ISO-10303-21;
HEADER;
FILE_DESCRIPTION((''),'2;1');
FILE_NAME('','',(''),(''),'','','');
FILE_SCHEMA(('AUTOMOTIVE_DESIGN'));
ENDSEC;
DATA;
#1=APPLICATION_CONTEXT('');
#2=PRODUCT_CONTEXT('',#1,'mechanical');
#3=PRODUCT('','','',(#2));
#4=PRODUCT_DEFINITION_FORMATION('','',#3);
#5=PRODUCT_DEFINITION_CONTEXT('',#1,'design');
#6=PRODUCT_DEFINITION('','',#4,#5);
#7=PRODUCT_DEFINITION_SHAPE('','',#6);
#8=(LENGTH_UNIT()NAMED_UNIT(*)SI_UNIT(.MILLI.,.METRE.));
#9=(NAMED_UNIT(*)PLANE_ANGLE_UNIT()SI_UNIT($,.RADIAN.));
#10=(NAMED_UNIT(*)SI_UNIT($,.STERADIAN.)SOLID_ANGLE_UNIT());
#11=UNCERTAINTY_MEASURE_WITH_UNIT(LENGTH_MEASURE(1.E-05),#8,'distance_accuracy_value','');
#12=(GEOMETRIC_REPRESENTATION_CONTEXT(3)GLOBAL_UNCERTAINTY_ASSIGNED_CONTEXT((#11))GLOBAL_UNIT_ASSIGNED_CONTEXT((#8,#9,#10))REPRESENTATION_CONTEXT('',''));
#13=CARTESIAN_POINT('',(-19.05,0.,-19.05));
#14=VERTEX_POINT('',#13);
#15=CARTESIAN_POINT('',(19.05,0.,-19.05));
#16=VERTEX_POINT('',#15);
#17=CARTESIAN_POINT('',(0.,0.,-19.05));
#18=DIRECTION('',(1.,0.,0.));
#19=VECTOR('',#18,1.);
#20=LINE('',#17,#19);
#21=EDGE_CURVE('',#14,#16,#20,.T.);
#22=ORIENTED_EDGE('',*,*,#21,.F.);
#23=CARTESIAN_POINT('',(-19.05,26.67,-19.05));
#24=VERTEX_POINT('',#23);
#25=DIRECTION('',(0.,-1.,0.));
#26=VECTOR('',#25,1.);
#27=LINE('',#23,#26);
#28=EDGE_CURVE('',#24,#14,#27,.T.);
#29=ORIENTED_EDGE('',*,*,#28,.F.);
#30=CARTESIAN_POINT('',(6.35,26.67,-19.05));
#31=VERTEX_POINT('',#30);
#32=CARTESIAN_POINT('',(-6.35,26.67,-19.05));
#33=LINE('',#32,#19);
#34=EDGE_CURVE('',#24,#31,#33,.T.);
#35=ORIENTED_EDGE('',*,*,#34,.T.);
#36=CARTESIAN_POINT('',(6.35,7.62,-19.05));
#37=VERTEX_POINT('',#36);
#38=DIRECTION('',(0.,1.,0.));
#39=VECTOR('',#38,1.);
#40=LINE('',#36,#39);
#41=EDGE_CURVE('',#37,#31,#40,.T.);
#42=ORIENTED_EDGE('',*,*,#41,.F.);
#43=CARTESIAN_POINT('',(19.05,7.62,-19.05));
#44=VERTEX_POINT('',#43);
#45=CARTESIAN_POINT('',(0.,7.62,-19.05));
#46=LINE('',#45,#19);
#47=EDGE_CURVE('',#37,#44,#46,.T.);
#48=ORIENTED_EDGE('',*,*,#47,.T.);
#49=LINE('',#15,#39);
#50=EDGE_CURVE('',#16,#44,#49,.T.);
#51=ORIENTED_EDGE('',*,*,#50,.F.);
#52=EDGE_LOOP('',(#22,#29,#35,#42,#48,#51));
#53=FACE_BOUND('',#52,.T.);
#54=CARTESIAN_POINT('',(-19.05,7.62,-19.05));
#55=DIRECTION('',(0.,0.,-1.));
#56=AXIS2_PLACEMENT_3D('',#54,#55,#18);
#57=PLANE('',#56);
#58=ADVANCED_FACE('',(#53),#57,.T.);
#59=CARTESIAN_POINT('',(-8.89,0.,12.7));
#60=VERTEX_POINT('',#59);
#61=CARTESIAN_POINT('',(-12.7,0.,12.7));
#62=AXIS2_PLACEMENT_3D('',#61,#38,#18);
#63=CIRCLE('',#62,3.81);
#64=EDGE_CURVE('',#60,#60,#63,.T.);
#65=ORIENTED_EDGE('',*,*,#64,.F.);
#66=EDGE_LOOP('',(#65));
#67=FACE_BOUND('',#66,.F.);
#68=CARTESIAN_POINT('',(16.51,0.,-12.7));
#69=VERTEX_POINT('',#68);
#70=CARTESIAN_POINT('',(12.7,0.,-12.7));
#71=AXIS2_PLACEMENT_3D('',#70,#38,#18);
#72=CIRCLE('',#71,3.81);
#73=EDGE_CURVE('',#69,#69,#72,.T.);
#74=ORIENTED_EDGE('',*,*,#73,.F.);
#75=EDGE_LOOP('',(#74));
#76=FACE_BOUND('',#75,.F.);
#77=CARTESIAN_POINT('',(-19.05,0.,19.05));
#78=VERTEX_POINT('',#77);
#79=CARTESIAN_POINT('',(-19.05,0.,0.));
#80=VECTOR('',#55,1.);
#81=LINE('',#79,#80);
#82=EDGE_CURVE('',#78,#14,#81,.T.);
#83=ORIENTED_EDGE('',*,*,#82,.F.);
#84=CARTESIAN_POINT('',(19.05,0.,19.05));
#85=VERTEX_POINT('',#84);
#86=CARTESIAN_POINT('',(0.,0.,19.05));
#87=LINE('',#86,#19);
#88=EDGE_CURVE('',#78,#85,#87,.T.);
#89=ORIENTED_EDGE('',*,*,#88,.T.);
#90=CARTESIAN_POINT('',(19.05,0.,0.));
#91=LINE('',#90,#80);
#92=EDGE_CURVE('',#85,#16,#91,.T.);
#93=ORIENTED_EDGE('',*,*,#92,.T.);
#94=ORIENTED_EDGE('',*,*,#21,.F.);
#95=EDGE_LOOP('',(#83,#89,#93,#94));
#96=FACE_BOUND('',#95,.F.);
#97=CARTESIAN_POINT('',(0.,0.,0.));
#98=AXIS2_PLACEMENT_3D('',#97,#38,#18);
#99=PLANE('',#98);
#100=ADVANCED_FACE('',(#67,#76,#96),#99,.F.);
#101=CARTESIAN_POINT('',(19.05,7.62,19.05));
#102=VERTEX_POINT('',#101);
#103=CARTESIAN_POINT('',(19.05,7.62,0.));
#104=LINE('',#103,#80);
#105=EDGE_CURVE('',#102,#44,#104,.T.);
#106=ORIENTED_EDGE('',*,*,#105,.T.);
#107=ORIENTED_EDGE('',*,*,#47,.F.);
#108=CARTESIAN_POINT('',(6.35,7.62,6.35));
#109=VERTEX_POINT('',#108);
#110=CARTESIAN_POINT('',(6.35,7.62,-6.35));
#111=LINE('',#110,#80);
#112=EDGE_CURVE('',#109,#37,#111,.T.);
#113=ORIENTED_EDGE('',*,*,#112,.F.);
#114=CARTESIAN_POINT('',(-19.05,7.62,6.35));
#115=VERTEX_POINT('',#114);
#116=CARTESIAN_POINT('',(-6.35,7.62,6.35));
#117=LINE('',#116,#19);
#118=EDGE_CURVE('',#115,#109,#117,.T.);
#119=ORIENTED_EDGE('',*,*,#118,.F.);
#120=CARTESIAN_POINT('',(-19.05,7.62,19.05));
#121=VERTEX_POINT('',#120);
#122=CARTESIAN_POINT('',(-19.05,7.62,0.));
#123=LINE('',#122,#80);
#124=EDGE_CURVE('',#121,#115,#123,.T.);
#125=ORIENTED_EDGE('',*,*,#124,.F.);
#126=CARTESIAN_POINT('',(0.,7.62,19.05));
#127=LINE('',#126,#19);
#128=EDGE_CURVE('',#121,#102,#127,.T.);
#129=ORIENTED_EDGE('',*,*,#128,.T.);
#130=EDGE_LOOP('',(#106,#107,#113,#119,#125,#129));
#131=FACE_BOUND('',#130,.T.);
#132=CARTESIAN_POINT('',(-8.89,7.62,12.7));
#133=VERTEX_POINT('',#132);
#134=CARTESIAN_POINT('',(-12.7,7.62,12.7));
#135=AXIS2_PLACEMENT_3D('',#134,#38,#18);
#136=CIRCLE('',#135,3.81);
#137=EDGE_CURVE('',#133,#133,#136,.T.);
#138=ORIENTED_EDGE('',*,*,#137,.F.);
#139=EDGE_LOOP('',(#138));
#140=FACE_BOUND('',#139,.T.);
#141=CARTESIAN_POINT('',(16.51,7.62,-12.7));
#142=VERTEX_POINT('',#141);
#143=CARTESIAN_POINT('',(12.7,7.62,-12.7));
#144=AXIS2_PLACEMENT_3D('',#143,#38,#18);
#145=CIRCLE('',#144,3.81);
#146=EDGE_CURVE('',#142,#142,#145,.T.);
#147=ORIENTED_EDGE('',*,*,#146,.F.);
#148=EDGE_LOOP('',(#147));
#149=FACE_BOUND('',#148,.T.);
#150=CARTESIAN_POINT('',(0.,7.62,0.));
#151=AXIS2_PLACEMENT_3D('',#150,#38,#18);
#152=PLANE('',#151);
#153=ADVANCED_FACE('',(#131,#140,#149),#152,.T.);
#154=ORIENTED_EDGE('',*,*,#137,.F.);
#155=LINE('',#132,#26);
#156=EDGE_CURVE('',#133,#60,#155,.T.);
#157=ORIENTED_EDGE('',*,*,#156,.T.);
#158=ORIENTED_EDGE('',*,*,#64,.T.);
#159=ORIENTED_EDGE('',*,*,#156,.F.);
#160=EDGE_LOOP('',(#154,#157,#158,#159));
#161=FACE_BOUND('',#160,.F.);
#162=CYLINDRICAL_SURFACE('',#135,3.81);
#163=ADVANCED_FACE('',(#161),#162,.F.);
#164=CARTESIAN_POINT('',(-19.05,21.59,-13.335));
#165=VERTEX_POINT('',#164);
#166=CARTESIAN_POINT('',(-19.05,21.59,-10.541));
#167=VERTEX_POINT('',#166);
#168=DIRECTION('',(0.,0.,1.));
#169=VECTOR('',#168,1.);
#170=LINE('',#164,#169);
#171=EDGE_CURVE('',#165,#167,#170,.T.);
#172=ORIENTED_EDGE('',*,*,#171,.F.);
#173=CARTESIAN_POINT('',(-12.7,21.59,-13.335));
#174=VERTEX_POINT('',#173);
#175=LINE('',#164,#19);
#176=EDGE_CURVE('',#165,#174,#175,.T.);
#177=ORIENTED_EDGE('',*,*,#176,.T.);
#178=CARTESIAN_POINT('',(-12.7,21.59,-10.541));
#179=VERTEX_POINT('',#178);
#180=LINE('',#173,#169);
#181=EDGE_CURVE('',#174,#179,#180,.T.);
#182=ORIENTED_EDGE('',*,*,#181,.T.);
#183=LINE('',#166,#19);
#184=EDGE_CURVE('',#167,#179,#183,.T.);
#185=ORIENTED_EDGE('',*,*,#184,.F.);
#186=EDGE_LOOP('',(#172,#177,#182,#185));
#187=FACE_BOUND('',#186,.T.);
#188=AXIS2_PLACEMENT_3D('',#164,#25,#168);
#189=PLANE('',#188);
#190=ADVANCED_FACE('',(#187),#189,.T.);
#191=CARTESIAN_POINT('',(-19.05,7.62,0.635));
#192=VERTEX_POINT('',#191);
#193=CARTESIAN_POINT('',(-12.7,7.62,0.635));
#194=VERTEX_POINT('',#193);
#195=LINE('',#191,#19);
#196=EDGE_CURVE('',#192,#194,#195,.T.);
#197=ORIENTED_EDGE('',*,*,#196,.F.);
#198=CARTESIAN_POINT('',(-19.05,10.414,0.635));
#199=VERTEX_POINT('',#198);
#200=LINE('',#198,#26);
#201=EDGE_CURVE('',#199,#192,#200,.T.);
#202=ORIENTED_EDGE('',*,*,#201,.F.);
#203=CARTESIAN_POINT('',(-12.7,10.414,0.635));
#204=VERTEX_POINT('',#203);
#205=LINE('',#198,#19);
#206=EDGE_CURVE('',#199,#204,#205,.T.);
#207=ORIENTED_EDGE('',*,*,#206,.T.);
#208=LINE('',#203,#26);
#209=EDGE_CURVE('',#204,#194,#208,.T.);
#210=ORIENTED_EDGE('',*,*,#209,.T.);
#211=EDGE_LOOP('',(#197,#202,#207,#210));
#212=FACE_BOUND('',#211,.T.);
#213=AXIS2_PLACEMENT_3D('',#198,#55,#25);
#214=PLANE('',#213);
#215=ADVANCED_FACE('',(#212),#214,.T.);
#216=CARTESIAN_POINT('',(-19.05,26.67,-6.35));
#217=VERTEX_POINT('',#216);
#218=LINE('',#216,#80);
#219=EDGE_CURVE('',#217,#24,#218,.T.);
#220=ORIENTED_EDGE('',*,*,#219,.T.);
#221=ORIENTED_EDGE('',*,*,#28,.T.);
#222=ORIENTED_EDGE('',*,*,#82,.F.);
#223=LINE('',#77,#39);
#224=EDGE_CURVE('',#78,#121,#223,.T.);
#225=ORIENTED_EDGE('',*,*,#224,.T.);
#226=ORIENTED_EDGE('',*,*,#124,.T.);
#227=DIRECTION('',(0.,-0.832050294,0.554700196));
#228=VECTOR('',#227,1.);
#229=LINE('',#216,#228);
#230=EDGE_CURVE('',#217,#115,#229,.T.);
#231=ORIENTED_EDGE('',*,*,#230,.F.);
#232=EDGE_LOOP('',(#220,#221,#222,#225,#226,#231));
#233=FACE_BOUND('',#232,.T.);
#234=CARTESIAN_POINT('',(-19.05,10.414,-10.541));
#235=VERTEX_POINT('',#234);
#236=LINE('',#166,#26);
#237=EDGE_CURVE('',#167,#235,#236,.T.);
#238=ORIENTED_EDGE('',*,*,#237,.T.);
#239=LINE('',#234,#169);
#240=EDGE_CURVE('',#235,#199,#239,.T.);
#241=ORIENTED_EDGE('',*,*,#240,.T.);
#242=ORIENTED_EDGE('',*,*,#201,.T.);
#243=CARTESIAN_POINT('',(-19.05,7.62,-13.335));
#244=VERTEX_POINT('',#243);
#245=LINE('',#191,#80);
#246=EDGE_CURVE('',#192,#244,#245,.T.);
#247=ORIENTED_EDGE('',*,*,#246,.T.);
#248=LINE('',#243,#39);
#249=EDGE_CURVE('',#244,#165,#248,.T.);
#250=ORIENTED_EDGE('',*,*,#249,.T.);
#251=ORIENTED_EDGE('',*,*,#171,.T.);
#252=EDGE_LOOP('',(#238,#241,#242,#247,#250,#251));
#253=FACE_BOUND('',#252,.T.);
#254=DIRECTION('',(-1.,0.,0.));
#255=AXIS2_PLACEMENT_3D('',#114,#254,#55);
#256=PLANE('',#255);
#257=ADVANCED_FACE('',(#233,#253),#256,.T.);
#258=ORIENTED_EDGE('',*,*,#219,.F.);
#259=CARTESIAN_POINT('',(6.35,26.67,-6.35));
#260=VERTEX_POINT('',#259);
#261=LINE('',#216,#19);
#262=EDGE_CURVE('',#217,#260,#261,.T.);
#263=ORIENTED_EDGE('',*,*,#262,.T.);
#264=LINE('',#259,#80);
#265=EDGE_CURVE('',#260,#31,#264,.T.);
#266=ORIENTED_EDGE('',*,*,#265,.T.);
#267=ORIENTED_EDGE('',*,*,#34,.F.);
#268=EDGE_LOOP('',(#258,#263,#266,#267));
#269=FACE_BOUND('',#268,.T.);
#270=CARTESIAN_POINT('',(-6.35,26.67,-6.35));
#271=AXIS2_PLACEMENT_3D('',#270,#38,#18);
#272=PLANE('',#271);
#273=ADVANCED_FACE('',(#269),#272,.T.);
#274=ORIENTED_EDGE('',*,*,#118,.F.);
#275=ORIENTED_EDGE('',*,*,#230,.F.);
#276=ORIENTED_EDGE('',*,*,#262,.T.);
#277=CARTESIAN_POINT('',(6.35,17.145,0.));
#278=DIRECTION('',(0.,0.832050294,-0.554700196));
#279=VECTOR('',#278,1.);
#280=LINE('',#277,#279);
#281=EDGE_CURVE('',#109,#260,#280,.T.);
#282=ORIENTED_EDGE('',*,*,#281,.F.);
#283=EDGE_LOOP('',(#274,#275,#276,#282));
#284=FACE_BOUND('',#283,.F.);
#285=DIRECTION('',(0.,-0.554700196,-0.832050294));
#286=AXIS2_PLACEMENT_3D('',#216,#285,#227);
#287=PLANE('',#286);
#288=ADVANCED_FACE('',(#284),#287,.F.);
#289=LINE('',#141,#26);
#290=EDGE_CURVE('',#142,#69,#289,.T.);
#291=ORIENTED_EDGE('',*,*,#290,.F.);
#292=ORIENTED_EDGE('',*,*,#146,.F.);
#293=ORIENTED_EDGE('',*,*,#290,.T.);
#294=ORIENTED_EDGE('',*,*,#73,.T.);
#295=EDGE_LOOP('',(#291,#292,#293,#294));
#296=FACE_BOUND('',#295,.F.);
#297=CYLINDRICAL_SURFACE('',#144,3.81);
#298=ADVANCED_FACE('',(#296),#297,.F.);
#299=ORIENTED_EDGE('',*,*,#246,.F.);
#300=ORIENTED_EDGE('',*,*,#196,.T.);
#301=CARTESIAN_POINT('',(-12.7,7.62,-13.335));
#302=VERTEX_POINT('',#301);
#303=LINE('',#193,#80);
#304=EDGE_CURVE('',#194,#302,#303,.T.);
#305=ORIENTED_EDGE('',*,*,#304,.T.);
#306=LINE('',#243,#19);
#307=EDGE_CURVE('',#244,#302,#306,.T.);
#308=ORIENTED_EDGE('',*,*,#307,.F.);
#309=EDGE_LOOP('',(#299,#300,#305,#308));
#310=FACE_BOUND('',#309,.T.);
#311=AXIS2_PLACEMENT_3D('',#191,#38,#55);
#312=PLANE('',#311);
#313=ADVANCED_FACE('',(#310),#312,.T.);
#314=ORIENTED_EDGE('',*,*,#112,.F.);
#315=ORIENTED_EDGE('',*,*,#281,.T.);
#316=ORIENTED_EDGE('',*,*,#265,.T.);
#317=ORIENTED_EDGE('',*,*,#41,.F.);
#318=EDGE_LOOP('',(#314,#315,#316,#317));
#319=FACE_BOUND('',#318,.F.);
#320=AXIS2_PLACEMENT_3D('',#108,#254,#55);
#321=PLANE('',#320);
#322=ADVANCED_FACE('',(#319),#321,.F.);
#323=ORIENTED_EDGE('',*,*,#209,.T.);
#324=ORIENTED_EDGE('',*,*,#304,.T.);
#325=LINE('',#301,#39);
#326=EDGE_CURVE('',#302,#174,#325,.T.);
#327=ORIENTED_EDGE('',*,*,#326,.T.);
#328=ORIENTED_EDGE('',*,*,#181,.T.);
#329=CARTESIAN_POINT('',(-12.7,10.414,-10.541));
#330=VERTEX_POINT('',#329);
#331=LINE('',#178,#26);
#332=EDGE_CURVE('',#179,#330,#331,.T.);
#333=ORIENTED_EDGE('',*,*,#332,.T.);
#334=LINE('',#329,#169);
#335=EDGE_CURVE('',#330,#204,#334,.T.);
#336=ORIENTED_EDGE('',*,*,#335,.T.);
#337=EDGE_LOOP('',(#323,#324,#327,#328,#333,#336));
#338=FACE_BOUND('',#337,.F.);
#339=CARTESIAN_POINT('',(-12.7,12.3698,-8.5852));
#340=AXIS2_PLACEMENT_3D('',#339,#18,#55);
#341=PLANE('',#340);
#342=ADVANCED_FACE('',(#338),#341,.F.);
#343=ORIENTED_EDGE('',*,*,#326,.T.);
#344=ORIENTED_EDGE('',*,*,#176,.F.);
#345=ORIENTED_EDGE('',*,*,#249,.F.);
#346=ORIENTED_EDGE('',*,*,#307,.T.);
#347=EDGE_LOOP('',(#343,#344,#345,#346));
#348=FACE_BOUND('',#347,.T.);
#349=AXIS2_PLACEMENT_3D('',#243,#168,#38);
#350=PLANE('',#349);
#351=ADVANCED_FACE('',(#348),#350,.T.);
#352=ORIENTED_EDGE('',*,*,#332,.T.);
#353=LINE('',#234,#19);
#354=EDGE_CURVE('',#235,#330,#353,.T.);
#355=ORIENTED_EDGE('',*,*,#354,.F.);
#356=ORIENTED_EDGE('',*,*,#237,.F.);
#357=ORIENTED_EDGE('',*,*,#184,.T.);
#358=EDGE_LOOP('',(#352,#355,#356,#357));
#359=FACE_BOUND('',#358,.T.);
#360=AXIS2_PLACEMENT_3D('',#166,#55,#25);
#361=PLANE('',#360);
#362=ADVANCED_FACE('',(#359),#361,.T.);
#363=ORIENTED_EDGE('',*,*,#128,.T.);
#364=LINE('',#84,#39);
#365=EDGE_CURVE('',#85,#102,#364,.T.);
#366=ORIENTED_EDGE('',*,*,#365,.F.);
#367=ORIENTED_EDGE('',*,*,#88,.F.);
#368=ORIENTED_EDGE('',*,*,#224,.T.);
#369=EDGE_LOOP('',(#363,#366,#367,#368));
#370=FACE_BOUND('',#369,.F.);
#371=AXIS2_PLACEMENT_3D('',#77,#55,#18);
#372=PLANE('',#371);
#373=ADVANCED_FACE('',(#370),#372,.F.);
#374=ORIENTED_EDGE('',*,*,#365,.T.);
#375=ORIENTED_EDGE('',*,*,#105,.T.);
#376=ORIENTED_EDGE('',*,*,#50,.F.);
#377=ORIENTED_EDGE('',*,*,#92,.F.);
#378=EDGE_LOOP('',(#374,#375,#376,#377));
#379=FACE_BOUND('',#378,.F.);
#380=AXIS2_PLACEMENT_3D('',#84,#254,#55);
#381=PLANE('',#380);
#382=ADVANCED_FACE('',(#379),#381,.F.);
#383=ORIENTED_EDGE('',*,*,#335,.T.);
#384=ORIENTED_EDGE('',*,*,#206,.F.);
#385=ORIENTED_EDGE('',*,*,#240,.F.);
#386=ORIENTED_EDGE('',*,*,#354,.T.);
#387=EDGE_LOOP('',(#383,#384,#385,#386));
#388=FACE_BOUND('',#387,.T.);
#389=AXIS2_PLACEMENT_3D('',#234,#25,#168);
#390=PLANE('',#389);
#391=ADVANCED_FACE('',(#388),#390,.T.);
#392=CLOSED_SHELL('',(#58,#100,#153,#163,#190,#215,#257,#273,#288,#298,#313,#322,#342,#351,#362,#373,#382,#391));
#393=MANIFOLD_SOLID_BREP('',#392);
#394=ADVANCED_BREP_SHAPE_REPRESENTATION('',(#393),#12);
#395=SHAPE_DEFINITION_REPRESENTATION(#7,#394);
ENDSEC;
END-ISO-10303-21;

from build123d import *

# Parameters (mm, degrees)
SKETCH1_W           = 38.1
SKETCH1_H           = 38.1
BOSS_EXTRUDE1_DEPTH = 7.62
SKETCH2_W           = 25.4
SKETCH2_H           = 25.4
BOSS_EXTRUDE2_DEPTH = 19.05
CUT_EXTRUDE1_REACH  = 9.62
SKETCH3_R           = 3.81
CUT_EXTRUDE2_DEPTH  = 6.35
CUT_EXTRUDE3_REACH  = 40.1


with BuildPart() as part:
    # Sketch1 → Boss-Extrude1 (new body)
    with BuildSketch(Plane(origin=(0, 0, 0), x_dir=(1, 0, 0), z_dir=(0, 1, 0))):
        Rectangle(SKETCH1_W, SKETCH1_H)
    extrude(amount=BOSS_EXTRUDE1_DEPTH)

    # Sketch2 → Boss-Extrude2 (add)
    with BuildSketch(Plane(origin=(0, 7.62, 0), x_dir=(1, 0, 0), z_dir=(0, 1, 0))):
        with Locations((-6.35, 6.35)):
            Rectangle(SKETCH2_W, SKETCH2_H)
    extrude(amount=BOSS_EXTRUDE2_DEPTH)

    # Sketch3 → Cut-Extrude1 (cut, up to next)
    with BuildSketch(Plane(origin=(0, 7.62, 0), x_dir=(1, 0, 0), z_dir=(0, 1, 0)), mode=Mode.PRIVATE) as cut_extrude1_sk1:
        with Locations((12.7, 12.7)):
            Circle(SKETCH3_R)
    cut_extrude1_tool1 = extrude(cut_extrude1_sk1.sketch, amount=-CUT_EXTRUDE1_REACH, mode=Mode.PRIVATE) & part.part
    add(cut_extrude1_tool1.solids().sort_by_distance((12.7, 7.62, -12.7))[0], mode=Mode.SUBTRACT)
    # Sketch3 → Cut-Extrude1 (cut, up to next)
    with BuildSketch(Plane(origin=(0, 7.62, 0), x_dir=(1, 0, 0), z_dir=(0, 1, 0)), mode=Mode.PRIVATE) as cut_extrude1_sk2:
        with Locations((-12.7, -12.7)):
            Circle(SKETCH3_R)
    cut_extrude1_tool2 = extrude(cut_extrude1_sk2.sketch, amount=-CUT_EXTRUDE1_REACH, mode=Mode.PRIVATE) & part.part
    add(cut_extrude1_tool2.solids().sort_by_distance((-12.7, 7.62, 12.7))[0], mode=Mode.SUBTRACT)

    # Sketch4 → Cut-Extrude2 (cut)
    with BuildSketch(Plane.ZY.offset(19.05)):
        Polygon((-13.335, 21.59), (-10.541, 21.59), (-10.541, 10.414), (0.635, 10.414), (0.635, 7.62), (-13.335, 7.62), align=None)
    extrude(amount=-CUT_EXTRUDE2_DEPTH, mode=Mode.SUBTRACT)

    # Sketch5 → Cut-Extrude3 (cut, up to next)
    with BuildSketch(Plane.ZY.offset(19.05), mode=Mode.PRIVATE) as cut_extrude3_sk1:
        Polygon((-6.35, 26.67), (6.35, 7.62), (6.35, 26.67), align=None)
    cut_extrude3_tool1 = extrude(cut_extrude3_sk1.sketch, amount=-CUT_EXTRUDE3_REACH, mode=Mode.PRIVATE) & part.part
    add(cut_extrude3_tool1.solids().sort_by_distance((-19.05, 20.32, 2.116667))[0], mode=Mode.SUBTRACT)


solid = part.part
